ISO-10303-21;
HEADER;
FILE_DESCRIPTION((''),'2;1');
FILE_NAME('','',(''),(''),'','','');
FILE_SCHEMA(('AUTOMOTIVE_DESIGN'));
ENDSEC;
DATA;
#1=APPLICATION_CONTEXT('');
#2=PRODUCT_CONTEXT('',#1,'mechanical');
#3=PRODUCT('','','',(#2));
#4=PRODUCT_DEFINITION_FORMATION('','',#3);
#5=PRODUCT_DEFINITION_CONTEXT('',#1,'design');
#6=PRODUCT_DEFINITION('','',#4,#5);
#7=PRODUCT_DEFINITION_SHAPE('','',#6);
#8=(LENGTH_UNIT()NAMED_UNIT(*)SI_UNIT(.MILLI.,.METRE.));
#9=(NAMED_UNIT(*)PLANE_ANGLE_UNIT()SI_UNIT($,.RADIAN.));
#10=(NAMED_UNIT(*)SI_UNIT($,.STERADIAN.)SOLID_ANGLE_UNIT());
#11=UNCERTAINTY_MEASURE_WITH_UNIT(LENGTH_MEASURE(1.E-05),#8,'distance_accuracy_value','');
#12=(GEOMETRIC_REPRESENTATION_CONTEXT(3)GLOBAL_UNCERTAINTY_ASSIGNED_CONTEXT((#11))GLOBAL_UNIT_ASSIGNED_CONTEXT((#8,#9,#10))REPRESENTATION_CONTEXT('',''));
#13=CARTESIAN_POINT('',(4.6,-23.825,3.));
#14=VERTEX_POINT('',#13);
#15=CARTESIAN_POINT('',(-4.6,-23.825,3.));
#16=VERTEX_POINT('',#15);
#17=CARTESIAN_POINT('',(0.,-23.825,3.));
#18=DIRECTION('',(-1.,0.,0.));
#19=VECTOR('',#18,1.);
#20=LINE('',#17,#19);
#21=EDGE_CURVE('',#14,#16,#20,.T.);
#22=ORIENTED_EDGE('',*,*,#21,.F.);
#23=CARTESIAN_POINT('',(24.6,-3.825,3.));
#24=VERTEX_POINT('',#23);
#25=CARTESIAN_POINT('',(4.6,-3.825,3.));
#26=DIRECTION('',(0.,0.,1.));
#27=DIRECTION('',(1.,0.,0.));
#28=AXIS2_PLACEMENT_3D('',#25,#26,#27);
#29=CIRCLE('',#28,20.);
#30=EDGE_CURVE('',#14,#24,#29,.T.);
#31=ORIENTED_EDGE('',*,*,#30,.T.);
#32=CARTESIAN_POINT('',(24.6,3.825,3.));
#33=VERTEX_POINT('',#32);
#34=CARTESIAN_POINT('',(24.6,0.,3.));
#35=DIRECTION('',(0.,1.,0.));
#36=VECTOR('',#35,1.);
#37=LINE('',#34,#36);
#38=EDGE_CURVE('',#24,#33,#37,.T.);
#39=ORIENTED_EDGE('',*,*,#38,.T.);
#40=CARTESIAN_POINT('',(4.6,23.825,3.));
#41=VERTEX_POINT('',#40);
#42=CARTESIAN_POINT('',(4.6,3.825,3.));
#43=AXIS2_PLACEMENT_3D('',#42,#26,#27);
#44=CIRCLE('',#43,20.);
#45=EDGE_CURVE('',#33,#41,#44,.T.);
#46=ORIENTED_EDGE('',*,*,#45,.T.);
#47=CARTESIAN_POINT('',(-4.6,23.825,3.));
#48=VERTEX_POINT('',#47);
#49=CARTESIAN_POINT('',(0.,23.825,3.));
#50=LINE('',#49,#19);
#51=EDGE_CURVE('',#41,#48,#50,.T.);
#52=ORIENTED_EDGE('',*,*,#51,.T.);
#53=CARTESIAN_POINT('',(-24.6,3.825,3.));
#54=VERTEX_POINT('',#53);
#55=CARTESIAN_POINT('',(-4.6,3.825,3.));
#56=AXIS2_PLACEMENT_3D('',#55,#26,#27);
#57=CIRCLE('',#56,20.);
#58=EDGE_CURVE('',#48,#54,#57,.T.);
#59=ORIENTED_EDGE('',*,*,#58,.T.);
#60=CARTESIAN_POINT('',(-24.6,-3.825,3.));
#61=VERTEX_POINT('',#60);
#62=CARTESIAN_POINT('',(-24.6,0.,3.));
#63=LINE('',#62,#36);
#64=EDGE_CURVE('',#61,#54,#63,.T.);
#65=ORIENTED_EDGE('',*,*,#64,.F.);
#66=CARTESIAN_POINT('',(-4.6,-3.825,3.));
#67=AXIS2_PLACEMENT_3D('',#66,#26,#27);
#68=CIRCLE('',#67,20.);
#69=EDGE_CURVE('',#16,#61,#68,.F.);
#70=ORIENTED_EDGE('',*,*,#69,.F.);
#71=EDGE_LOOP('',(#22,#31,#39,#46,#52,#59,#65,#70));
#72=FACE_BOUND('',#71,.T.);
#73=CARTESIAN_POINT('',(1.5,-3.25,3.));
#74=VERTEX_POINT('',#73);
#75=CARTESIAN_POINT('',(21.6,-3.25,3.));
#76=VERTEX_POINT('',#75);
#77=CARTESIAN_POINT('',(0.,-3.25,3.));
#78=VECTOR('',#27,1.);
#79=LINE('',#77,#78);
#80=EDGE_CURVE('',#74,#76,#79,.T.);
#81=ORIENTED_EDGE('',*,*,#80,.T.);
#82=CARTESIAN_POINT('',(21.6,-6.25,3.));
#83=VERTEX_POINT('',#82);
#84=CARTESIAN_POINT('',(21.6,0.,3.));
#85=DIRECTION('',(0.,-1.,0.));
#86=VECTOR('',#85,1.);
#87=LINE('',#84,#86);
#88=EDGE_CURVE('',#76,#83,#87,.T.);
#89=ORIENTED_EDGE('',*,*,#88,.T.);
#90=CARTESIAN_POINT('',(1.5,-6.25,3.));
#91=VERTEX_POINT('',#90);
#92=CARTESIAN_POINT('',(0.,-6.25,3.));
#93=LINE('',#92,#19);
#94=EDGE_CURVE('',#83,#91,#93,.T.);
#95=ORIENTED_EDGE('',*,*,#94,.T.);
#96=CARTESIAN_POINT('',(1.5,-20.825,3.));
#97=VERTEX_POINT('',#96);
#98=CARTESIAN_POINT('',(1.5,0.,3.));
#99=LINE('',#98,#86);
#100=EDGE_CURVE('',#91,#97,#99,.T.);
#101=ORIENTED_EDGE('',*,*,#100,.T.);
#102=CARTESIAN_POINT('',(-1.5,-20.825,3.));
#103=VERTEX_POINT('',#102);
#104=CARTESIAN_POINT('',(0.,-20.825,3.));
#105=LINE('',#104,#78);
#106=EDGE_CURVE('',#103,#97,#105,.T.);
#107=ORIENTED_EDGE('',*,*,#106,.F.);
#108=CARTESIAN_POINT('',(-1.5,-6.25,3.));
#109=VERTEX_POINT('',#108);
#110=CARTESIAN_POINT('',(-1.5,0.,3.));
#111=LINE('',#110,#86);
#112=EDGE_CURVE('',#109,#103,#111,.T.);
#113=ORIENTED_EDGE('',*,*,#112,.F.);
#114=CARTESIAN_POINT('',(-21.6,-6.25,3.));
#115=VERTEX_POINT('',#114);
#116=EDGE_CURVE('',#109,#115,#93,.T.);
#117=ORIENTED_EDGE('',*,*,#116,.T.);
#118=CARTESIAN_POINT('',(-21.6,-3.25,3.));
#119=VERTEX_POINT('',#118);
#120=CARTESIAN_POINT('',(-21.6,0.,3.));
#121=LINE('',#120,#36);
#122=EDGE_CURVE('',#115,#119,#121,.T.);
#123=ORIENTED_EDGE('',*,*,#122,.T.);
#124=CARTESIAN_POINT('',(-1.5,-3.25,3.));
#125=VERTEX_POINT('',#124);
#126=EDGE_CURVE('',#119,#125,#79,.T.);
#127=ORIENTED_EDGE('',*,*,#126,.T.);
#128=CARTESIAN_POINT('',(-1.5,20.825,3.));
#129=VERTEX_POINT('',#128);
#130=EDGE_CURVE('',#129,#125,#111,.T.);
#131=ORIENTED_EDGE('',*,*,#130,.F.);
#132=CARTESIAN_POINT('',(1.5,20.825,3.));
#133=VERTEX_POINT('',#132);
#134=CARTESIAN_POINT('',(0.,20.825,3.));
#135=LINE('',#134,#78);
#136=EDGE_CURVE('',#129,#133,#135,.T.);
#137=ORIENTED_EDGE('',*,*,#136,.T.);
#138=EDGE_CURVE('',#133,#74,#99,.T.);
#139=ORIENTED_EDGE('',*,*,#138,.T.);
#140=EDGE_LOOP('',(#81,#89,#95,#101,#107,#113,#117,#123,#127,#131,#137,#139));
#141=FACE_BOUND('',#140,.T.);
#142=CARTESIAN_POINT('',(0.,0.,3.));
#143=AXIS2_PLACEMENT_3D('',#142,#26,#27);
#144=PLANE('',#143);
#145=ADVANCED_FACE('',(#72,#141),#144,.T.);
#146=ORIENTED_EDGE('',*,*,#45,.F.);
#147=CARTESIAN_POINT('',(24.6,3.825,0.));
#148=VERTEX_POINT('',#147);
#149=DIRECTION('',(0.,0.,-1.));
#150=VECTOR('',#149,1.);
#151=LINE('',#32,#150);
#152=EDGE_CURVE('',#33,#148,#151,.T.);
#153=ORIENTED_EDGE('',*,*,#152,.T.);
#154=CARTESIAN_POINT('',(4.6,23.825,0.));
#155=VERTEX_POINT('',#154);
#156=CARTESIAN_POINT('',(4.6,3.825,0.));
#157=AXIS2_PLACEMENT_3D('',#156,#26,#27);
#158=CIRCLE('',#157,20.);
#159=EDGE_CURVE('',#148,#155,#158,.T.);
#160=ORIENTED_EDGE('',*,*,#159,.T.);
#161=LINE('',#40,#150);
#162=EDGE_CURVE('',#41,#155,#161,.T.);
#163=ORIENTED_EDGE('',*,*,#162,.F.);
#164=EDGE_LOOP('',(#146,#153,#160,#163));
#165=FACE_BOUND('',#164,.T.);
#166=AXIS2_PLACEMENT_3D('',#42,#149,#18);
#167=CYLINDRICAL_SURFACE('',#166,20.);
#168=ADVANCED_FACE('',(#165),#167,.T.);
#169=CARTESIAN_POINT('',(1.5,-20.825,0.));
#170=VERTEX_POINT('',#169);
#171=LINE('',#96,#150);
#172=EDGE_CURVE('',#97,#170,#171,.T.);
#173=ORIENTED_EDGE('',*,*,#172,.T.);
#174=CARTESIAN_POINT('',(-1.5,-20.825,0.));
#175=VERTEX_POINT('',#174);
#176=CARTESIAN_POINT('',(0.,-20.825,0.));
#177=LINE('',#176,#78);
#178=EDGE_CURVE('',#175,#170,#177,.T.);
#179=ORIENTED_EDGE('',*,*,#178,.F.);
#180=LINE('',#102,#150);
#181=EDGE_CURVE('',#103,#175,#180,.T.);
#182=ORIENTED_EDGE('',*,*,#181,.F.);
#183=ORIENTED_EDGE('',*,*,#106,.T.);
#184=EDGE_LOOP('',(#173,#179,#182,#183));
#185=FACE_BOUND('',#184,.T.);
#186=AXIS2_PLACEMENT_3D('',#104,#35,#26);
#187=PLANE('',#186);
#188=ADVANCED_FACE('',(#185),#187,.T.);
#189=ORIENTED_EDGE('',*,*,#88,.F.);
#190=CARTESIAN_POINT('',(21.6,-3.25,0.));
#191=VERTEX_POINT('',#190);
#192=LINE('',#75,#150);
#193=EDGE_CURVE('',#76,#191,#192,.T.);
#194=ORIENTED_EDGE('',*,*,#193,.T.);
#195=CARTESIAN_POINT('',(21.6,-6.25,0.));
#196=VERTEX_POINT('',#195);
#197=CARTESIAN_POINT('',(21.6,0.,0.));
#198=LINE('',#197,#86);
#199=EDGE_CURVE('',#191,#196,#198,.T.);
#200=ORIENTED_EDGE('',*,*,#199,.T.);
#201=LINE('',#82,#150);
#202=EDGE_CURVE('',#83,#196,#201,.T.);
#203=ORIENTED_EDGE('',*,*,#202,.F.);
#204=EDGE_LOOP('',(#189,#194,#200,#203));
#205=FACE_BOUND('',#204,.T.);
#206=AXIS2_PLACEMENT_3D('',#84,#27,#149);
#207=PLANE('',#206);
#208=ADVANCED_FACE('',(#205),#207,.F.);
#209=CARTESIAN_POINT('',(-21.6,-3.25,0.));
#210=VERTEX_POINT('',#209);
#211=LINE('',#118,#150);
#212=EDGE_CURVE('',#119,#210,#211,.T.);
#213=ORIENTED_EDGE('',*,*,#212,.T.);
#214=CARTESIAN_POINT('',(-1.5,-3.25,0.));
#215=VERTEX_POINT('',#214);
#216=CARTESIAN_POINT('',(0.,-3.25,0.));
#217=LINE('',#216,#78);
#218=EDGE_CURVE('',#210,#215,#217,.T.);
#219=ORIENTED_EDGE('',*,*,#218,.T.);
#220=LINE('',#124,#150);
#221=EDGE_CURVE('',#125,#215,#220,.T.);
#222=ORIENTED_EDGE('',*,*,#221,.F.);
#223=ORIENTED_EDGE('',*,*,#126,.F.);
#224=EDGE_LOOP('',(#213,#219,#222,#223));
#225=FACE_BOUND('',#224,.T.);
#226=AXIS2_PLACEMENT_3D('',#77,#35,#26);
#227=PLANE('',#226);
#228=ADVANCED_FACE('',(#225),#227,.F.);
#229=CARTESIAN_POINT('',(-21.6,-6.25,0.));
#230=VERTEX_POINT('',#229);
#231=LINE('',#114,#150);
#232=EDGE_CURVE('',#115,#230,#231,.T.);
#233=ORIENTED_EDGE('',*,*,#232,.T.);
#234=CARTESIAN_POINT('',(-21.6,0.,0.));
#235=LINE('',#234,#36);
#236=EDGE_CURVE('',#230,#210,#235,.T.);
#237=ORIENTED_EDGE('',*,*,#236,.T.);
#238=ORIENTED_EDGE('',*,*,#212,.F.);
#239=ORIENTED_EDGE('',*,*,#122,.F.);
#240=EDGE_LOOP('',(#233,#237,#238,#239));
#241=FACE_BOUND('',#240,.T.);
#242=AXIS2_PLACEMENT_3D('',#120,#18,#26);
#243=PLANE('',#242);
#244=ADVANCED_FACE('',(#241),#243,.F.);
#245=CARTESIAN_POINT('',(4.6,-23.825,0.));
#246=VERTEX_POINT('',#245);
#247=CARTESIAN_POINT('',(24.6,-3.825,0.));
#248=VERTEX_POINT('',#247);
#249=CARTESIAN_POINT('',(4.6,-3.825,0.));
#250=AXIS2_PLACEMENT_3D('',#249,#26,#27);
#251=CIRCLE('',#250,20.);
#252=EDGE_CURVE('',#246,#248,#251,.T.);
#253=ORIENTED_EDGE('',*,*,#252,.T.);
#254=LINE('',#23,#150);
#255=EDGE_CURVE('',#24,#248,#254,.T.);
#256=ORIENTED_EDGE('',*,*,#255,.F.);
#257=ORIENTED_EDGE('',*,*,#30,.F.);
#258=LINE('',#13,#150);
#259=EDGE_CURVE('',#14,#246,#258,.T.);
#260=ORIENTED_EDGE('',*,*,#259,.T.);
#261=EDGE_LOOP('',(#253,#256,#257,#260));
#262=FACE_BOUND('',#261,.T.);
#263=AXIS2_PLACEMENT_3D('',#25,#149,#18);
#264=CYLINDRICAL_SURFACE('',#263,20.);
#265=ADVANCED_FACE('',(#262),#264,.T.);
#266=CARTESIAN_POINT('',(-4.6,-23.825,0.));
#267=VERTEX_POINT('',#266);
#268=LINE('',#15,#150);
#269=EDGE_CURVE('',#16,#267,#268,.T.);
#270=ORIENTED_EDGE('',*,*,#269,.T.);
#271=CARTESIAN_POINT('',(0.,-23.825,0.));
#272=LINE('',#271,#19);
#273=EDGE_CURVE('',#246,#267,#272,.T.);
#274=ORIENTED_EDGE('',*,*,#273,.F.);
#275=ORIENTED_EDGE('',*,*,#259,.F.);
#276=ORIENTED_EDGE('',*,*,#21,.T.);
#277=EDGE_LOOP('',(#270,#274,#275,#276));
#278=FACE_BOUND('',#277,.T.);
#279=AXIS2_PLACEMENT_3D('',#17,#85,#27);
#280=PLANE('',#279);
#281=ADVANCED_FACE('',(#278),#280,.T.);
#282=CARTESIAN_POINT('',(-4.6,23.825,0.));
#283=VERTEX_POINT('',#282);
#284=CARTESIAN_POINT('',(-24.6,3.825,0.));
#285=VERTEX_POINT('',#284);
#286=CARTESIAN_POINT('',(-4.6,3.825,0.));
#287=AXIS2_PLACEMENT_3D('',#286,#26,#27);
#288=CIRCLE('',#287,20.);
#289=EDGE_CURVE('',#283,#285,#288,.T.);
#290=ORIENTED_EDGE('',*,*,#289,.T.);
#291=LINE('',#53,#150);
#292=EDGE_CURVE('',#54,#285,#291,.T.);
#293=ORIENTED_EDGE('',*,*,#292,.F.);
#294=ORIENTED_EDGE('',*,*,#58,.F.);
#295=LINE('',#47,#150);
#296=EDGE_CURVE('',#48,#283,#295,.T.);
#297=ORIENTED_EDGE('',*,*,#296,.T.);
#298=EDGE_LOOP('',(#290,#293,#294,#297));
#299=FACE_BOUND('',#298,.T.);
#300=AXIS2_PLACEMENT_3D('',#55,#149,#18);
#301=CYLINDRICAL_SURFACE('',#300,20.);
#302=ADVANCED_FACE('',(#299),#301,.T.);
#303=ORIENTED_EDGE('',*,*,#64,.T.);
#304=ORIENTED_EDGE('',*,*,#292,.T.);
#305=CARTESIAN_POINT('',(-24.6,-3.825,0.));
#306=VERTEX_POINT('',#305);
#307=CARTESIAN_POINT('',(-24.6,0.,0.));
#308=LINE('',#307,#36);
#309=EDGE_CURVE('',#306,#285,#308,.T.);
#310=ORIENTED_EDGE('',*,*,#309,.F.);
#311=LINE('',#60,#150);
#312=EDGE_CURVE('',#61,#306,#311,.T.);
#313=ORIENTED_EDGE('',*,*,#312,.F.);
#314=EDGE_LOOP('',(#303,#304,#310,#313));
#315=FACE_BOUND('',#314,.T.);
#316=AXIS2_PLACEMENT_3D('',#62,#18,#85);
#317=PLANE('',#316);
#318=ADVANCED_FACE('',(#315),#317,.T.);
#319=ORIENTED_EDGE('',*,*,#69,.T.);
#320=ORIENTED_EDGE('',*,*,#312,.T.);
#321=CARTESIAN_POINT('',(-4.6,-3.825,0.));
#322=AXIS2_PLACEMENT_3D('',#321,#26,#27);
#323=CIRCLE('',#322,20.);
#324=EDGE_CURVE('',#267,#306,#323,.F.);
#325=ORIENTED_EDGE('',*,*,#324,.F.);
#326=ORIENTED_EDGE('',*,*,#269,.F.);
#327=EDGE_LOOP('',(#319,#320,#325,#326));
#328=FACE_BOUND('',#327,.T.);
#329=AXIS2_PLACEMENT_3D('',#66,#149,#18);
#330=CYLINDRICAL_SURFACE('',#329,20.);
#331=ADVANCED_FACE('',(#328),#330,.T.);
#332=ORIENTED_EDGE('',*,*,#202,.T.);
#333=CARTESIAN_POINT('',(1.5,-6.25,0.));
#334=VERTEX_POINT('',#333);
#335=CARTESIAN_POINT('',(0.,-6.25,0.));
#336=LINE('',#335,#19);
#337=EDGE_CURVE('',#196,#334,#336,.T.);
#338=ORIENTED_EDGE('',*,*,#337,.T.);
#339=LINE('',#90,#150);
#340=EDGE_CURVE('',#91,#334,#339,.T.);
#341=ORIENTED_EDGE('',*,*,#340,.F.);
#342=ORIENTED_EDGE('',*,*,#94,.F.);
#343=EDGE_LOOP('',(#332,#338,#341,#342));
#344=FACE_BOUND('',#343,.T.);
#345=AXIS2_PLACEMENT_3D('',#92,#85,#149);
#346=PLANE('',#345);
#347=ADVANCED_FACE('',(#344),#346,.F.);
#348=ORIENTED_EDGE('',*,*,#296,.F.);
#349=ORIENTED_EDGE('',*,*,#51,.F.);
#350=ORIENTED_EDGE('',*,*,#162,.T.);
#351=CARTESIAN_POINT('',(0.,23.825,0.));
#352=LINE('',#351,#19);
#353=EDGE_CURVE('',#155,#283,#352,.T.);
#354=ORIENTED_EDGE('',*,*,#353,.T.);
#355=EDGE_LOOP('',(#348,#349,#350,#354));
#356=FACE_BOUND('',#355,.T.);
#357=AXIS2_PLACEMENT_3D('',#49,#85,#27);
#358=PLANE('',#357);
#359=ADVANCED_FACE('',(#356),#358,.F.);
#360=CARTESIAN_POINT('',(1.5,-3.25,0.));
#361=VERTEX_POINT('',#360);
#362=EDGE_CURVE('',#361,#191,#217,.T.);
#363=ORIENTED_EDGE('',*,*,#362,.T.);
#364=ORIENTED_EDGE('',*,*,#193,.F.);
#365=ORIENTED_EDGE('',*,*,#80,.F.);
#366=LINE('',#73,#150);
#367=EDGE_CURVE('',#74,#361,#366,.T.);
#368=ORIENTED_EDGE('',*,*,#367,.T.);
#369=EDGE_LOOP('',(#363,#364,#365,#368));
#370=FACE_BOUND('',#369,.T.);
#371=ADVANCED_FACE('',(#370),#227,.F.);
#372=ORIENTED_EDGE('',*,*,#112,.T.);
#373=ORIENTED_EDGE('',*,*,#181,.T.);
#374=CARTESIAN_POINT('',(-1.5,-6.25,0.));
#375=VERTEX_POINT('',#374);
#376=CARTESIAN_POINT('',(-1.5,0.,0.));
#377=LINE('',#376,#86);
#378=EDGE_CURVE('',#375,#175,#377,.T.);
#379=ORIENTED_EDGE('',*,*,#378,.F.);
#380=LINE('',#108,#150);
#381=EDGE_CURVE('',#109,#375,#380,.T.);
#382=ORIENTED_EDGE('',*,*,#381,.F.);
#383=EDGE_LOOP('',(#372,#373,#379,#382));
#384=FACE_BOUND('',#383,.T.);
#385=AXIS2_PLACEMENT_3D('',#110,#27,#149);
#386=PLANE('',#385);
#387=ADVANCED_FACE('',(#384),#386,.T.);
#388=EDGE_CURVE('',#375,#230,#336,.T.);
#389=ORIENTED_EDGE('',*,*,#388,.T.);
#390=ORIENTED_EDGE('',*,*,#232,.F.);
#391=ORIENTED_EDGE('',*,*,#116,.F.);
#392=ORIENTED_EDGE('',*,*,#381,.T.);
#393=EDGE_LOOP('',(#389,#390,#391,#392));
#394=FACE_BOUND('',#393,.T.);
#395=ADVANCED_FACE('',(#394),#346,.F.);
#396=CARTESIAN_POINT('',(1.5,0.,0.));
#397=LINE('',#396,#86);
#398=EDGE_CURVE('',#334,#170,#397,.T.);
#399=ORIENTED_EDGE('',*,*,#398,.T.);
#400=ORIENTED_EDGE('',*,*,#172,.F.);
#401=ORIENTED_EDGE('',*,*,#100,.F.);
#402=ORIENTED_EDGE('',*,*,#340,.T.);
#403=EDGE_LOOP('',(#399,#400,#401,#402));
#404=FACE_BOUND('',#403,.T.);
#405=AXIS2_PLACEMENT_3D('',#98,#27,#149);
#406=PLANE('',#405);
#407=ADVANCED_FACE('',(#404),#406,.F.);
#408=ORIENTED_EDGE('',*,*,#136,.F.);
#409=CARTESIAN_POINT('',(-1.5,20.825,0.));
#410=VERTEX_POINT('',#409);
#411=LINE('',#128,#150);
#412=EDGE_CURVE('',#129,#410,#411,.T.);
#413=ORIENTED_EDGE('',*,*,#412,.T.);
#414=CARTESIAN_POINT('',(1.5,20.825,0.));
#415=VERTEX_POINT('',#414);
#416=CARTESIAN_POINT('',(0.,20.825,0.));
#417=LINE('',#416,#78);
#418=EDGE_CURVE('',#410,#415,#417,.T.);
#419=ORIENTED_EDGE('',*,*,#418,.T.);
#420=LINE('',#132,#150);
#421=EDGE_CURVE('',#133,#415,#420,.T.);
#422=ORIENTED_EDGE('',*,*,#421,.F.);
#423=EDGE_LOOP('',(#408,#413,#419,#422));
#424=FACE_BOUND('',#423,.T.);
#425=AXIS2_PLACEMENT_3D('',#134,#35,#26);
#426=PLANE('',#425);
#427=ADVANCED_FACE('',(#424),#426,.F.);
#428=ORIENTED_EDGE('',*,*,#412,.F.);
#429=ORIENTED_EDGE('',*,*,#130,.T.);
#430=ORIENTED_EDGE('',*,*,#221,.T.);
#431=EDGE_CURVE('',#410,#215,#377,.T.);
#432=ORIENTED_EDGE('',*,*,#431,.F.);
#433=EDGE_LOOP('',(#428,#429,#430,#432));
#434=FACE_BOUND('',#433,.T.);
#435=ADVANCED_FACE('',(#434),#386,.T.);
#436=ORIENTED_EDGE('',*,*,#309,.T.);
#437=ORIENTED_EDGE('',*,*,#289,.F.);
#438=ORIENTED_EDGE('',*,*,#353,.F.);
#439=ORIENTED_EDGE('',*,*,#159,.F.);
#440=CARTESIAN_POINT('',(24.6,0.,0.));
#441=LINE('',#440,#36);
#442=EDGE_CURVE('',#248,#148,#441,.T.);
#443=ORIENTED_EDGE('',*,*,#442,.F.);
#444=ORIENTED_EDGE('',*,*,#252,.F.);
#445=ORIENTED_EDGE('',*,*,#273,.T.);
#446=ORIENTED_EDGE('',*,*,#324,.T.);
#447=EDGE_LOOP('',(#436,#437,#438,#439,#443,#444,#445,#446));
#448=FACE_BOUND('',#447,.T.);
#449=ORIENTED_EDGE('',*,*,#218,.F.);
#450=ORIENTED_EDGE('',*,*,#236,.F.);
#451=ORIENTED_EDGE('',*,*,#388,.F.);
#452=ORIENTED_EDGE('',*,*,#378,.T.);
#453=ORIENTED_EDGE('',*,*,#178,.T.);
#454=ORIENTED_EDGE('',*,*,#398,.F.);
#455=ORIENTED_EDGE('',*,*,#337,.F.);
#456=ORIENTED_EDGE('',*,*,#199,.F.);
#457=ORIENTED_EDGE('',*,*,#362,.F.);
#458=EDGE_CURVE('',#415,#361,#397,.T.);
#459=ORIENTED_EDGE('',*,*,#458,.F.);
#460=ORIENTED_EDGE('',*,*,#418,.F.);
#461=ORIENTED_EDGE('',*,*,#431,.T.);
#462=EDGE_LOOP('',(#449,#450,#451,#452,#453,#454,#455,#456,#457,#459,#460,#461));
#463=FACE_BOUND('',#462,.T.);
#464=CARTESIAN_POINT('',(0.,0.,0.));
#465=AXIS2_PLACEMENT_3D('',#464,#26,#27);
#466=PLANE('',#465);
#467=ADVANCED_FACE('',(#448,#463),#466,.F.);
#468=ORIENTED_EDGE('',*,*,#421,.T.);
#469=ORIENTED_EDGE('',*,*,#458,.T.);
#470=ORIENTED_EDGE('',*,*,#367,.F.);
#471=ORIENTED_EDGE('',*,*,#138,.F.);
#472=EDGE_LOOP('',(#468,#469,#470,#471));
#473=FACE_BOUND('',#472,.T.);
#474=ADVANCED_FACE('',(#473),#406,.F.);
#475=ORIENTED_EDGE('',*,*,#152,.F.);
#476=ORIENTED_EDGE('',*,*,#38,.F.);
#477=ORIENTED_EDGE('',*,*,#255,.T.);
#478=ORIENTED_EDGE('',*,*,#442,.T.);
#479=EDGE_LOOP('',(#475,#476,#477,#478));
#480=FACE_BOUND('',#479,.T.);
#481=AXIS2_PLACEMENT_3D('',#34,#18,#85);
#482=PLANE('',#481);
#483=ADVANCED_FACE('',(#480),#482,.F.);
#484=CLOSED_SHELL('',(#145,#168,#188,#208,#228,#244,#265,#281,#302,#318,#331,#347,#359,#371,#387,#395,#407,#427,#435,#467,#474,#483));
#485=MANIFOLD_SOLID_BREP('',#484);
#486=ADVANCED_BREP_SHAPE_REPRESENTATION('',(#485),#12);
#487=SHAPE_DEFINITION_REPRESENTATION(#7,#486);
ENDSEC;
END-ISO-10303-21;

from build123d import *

# Parameters (mm, degrees)
SALIENTE_EXTRUIR1_DEPTH = 3


with BuildPart() as part:
    # Croquis1 → Saliente-Extruir1 (new body)
    with BuildSketch(Plane.XY):
        with BuildLine():
            Line((-4.6, -23.825), (4.6, -23.825))
            ThreePointArc((4.6, -23.825), (18.742135624, -17.967135624), (24.6, -3.825))
            Line((24.6, -3.825), (24.6, 3.825))
            ThreePointArc((24.6, 3.825), (18.742135624, 17.967135624), (4.6, 23.825))
            Line((4.6, 23.825), (-4.6, 23.825))
            ThreePointArc((-4.6, 23.825), (-18.742135624, 17.967135624), (-24.6, 3.825))
            Line((-24.6, 3.825), (-24.6, -3.825))
            ThreePointArc((-24.6, -3.825), (-18.742135624, -17.967135624), (-4.6, -23.825))
        make_face()
        Polygon((-21.6, -6.25), (-21.6, -3.25), (-1.5, -3.25), (-1.5, 20.825), (1.5, 20.825), (1.5, -3.25), (21.6, -3.25), (21.6, -6.25), (1.5, -6.25), (1.5, -20.825), (-1.5, -20.825), (-1.5, -6.25), align=None, mode=Mode.SUBTRACT)
    extrude(amount=SALIENTE_EXTRUIR1_DEPTH)


solid = part.part
